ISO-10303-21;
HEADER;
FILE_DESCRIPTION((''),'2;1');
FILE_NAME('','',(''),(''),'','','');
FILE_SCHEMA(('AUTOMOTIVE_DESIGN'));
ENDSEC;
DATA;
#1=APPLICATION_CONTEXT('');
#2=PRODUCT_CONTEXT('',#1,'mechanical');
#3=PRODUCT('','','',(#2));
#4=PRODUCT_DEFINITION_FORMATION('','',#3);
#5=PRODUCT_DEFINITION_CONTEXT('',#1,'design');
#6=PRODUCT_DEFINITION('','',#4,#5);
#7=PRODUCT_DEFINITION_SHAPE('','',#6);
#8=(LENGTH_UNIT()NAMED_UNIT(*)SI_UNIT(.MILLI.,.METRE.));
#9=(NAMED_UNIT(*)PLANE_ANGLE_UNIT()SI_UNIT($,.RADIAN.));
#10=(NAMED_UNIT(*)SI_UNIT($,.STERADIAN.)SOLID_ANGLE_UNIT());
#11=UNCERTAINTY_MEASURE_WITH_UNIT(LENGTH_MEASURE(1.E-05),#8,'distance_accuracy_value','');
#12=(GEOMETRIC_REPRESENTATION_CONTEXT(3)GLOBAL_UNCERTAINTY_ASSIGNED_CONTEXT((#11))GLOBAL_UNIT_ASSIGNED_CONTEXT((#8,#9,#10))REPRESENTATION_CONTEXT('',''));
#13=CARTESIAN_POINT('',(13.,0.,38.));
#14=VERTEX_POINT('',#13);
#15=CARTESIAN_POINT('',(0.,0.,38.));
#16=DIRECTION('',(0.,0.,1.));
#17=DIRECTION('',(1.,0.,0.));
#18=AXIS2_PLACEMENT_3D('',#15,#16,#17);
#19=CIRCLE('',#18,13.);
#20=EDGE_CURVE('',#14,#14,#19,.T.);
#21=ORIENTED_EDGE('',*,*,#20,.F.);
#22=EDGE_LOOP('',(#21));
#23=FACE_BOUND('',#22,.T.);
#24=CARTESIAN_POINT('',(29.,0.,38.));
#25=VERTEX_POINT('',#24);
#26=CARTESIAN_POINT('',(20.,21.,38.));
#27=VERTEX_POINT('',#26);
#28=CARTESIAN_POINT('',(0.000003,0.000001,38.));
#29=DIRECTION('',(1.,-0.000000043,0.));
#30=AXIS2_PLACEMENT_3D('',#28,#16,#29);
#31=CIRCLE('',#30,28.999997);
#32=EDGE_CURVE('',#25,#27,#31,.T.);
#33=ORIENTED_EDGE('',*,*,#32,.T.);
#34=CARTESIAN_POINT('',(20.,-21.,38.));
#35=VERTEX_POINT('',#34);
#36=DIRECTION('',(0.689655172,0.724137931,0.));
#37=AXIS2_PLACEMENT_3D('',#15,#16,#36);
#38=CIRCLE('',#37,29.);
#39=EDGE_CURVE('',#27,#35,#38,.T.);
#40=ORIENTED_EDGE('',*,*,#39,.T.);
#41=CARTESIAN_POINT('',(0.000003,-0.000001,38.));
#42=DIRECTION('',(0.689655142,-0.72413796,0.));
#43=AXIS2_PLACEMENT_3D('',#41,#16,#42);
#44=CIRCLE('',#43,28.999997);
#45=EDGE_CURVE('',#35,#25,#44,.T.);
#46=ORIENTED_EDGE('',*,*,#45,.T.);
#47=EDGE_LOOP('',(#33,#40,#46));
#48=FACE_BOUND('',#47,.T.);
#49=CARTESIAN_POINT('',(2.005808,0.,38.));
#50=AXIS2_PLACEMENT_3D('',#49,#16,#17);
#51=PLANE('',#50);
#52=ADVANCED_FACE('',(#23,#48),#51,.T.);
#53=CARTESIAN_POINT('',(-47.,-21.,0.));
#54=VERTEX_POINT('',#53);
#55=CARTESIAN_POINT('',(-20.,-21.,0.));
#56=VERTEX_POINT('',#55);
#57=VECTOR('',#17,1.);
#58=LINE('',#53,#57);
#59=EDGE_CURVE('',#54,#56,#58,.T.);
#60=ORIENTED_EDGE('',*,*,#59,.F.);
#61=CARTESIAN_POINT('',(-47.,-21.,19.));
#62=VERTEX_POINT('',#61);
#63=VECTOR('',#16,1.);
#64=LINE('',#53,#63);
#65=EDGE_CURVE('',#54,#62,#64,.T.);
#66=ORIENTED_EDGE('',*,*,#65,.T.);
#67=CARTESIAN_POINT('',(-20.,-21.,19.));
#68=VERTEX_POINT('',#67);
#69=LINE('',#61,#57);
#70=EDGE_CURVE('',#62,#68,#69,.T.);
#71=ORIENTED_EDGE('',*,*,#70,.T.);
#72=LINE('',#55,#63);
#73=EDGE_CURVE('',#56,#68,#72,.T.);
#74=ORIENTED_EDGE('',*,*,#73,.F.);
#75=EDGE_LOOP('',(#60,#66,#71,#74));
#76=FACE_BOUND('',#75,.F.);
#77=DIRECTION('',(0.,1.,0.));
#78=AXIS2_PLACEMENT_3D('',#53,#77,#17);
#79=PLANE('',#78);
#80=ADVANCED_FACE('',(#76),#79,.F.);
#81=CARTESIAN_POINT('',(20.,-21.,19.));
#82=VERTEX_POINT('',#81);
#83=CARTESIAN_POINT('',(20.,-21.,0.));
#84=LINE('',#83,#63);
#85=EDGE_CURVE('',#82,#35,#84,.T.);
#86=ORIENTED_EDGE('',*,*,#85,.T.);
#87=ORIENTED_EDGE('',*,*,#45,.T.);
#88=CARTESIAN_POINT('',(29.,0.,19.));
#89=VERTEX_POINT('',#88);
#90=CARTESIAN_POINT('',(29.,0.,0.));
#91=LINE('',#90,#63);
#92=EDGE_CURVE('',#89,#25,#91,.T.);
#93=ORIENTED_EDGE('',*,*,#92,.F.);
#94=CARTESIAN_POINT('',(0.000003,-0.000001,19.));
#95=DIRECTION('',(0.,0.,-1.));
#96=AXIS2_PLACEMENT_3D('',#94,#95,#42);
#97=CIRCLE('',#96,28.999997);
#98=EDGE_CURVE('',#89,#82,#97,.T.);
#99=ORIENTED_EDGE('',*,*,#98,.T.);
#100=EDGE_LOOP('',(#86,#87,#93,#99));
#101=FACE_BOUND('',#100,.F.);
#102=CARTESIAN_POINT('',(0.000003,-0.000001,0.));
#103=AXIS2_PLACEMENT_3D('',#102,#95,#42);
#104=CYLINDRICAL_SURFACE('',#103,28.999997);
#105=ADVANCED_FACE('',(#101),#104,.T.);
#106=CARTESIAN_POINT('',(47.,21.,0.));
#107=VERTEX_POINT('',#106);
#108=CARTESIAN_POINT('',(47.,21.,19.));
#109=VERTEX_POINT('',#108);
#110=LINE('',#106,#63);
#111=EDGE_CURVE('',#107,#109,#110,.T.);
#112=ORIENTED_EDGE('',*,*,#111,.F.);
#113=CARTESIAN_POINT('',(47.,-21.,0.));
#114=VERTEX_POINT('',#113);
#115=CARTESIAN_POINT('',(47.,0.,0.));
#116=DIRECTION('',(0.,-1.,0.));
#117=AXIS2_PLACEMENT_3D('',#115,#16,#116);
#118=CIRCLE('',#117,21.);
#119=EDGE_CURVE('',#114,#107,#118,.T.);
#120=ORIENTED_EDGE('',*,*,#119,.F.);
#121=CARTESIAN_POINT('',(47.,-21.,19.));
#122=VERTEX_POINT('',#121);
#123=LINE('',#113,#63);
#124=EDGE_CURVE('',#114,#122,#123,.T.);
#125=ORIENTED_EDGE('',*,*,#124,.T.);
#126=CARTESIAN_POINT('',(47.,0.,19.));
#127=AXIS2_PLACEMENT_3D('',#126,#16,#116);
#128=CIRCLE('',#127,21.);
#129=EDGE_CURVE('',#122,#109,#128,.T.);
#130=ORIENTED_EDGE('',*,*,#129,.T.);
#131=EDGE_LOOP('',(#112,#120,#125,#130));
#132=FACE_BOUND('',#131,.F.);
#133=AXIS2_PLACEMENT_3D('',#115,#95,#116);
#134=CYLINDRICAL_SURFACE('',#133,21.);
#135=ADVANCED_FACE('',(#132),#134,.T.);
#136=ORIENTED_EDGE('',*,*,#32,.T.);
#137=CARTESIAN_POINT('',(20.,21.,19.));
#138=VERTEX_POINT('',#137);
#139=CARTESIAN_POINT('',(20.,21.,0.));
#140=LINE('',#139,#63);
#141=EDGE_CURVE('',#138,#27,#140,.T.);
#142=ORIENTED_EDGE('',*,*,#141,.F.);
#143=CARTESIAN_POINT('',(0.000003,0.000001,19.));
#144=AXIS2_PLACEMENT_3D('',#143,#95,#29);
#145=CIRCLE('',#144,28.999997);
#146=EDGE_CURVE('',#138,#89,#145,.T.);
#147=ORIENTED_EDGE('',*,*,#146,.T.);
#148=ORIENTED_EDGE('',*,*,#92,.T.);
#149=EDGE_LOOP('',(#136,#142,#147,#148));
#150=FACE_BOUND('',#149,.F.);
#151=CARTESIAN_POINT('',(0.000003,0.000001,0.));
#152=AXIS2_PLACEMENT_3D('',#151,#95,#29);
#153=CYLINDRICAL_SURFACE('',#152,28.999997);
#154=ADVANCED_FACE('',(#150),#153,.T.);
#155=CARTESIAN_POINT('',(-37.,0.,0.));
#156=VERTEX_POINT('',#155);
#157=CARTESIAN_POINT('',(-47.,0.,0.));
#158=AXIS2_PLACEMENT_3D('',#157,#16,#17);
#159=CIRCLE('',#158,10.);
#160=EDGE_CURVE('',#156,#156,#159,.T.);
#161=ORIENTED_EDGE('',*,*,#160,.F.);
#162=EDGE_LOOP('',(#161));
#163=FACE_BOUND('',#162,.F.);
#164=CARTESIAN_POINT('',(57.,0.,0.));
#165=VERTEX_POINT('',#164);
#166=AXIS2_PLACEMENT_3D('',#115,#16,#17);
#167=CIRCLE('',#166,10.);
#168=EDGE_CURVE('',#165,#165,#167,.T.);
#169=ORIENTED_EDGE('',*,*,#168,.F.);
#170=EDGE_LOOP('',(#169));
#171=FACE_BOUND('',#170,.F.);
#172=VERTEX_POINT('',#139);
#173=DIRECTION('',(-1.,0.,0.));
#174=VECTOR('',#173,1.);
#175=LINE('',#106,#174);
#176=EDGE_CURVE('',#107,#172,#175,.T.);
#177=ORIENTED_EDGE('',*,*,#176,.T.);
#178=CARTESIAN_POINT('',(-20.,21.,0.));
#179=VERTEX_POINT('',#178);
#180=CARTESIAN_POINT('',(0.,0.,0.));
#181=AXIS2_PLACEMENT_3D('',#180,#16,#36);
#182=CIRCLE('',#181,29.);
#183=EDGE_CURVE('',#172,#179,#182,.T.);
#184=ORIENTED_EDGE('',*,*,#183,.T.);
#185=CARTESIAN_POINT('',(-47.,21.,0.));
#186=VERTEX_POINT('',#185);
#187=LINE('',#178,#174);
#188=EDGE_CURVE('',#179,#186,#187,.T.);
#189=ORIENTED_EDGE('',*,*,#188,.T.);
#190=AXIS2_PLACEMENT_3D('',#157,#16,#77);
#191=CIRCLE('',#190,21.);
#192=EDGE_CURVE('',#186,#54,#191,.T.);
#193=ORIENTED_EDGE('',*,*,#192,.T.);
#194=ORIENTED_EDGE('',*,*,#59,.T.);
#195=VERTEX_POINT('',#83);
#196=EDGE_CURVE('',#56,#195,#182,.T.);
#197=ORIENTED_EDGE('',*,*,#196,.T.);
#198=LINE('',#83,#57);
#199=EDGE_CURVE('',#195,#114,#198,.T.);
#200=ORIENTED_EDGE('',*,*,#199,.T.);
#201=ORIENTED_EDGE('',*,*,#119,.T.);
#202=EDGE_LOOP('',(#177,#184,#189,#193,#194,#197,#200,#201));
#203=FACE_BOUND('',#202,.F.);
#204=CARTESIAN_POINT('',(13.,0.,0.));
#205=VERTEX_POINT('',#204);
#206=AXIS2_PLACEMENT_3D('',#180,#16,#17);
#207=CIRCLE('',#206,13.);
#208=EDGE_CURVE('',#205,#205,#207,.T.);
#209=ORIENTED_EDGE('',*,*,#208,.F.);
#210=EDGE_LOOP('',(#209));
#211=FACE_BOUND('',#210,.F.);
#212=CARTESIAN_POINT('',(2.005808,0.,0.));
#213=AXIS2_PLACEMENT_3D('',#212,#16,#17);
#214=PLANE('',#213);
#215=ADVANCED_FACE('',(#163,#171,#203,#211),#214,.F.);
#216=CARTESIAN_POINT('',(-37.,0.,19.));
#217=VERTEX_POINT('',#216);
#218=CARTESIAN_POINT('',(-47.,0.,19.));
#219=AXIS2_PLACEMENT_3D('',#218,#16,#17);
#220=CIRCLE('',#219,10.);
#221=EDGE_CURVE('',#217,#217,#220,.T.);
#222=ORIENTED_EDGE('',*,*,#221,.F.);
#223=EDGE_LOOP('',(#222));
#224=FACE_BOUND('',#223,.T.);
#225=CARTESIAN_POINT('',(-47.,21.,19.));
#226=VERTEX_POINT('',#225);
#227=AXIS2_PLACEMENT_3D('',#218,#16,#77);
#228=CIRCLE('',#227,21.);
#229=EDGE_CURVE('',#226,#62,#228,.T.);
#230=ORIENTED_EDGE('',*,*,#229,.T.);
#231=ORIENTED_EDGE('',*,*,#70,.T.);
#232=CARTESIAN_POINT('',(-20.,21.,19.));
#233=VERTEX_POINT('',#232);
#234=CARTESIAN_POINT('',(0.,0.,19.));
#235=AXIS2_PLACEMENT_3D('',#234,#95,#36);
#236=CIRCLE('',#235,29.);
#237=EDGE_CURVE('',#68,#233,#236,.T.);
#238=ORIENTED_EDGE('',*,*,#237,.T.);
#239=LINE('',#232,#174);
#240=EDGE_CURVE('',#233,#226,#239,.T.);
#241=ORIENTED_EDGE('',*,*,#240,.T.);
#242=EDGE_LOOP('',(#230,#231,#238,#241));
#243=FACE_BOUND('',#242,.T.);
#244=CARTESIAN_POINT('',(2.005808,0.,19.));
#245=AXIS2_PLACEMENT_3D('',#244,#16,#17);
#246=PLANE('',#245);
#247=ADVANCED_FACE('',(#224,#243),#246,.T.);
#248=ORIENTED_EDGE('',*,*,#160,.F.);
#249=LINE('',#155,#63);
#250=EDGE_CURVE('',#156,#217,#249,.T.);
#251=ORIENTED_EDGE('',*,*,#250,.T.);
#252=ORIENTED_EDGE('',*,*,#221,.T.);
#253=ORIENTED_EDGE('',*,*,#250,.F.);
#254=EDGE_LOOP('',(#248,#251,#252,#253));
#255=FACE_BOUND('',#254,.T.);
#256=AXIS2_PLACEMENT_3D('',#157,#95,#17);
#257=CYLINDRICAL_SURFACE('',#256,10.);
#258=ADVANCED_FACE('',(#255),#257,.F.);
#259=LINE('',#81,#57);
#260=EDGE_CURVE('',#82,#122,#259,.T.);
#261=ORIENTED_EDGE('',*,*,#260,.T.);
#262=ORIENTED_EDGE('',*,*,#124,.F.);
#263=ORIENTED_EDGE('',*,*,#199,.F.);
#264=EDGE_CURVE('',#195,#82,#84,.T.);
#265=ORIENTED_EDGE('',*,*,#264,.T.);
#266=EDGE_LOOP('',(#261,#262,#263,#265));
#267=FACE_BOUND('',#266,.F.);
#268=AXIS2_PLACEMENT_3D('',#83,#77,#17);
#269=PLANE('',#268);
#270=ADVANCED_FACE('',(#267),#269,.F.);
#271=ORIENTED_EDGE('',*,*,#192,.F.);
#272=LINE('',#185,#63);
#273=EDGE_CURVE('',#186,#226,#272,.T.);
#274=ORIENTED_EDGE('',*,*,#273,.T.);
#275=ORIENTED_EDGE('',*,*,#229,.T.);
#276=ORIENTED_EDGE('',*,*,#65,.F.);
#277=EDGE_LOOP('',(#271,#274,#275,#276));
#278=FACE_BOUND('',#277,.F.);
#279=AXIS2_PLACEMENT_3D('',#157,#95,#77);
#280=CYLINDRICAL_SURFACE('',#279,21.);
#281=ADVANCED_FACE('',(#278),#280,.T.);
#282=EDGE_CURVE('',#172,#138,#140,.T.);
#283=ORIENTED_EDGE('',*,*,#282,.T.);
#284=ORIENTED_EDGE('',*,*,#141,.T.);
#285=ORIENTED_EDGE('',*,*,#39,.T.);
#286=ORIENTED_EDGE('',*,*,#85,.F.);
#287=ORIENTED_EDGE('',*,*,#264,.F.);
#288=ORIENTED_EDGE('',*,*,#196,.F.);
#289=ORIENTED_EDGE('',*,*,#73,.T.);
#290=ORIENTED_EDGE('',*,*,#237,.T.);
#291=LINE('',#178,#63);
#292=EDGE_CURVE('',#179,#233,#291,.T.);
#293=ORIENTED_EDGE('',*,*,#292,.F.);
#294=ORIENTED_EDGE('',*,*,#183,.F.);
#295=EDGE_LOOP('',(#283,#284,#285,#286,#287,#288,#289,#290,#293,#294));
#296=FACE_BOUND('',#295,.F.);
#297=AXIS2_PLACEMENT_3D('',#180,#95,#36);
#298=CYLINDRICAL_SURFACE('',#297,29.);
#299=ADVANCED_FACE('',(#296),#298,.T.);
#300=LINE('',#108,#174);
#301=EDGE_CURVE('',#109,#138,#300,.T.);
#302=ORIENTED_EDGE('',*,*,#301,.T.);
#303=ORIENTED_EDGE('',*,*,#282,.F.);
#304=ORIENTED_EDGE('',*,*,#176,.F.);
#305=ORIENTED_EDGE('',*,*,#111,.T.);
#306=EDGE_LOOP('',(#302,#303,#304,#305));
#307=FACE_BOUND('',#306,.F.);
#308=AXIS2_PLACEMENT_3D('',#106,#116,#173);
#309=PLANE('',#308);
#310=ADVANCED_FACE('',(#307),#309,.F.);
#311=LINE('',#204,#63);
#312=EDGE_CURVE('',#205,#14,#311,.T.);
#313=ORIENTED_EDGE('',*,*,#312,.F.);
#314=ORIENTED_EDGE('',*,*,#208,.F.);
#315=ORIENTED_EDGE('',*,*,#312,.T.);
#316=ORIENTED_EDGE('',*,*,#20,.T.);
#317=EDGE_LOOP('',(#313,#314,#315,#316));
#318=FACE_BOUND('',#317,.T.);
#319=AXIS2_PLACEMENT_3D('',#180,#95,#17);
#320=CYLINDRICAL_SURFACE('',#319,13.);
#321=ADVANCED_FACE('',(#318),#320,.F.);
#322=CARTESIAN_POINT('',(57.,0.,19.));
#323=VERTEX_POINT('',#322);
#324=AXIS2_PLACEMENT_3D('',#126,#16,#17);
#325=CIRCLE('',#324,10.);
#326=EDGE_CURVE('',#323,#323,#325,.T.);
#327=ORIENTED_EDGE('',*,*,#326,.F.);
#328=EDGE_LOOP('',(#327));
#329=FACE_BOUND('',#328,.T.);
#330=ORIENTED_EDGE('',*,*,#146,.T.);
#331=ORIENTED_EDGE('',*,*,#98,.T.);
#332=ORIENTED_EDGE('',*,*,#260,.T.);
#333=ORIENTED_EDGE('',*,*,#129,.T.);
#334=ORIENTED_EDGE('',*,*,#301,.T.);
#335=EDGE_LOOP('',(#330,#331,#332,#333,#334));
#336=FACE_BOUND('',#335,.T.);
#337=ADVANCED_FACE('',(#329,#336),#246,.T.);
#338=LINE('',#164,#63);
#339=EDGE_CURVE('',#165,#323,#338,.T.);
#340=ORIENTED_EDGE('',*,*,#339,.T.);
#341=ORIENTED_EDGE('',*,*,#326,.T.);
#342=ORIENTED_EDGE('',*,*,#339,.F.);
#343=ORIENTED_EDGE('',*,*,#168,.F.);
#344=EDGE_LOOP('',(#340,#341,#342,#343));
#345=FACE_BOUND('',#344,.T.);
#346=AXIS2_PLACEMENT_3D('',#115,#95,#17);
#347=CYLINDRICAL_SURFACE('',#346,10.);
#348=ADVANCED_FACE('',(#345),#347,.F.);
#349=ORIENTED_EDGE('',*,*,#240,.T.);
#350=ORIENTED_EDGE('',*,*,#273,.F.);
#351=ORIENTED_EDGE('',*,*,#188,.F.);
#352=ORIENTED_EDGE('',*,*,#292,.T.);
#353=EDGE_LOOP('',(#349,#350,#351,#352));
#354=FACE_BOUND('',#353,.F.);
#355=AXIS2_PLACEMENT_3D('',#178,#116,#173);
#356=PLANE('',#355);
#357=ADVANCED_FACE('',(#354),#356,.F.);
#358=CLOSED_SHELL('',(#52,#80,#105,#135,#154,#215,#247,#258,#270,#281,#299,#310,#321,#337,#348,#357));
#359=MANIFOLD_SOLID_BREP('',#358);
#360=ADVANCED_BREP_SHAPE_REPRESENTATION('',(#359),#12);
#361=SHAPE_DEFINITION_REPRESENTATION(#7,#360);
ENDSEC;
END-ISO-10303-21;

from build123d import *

# Parameters (mm, degrees)
F0_R     = 13
F1_DEPTH = 38
F0_R_2   = 10
F2_DEPTH = 19


with BuildPart() as f1:
    # F0 (on Top) → F1 (new body)
    with BuildSketch(Plane.XY):
        with BuildLine():
            ThreePointArc((20, -21), (26.655206, -11.42366), (29, 0))
            ThreePointArc((29, 0), (26.655206, 11.42366), (20, 21))
            ThreePointArc((20, 21), (0, 29), (-20, 21))
            ThreePointArc((-20, 21), (-29, 0), (-20, -21))
            ThreePointArc((-20, -21), (0, -29), (20, -21))
        make_face()
        Circle(F0_R, mode=Mode.SUBTRACT)
    extrude(amount=F1_DEPTH)

    # F0 (on Top) → F2 (join)
    with BuildSketch(Plane.XY):
        with BuildLine():
            ThreePointArc((20, -21), (26.655206, -11.42366), (29, 0))
            ThreePointArc((29, 0), (26.655206, 11.42366), (20, 21))
            ThreePointArc((20, 21), (0, 29), (-20, 21))
            ThreePointArc((-20, 21), (-29, 0), (-20, -21))
            ThreePointArc((-20, -21), (0, -29), (20, -21))
        make_face()
        Circle(F0_R, mode=Mode.SUBTRACT)
        with BuildLine():
            ThreePointArc((20, 21), (26.655206, 11.42366), (29, 0))
            ThreePointArc((29, 0), (26.655206, -11.42366), (20, -21))
            Line((20, -21), (47, -21))
            ThreePointArc((47, -21), (68, 0), (47, 21))
            Line((47, 21), (20, 21))
        make_face()
        with Locations((47, 0)):
            Circle(F0_R_2, mode=Mode.SUBTRACT)
        with BuildLine():
            ThreePointArc((-20, -21), (-29, 0), (-20, 21))
            Line((-20, 21), (-47, 21))
            ThreePointArc((-47, 21), (-68, 0), (-47, -21))
            Line((-47, -21), (-20, -21))
        make_face()
        with Locations((-47, 0)):
            Circle(F0_R_2, mode=Mode.SUBTRACT)
    extrude(amount=F2_DEPTH)


solid = f1.part
